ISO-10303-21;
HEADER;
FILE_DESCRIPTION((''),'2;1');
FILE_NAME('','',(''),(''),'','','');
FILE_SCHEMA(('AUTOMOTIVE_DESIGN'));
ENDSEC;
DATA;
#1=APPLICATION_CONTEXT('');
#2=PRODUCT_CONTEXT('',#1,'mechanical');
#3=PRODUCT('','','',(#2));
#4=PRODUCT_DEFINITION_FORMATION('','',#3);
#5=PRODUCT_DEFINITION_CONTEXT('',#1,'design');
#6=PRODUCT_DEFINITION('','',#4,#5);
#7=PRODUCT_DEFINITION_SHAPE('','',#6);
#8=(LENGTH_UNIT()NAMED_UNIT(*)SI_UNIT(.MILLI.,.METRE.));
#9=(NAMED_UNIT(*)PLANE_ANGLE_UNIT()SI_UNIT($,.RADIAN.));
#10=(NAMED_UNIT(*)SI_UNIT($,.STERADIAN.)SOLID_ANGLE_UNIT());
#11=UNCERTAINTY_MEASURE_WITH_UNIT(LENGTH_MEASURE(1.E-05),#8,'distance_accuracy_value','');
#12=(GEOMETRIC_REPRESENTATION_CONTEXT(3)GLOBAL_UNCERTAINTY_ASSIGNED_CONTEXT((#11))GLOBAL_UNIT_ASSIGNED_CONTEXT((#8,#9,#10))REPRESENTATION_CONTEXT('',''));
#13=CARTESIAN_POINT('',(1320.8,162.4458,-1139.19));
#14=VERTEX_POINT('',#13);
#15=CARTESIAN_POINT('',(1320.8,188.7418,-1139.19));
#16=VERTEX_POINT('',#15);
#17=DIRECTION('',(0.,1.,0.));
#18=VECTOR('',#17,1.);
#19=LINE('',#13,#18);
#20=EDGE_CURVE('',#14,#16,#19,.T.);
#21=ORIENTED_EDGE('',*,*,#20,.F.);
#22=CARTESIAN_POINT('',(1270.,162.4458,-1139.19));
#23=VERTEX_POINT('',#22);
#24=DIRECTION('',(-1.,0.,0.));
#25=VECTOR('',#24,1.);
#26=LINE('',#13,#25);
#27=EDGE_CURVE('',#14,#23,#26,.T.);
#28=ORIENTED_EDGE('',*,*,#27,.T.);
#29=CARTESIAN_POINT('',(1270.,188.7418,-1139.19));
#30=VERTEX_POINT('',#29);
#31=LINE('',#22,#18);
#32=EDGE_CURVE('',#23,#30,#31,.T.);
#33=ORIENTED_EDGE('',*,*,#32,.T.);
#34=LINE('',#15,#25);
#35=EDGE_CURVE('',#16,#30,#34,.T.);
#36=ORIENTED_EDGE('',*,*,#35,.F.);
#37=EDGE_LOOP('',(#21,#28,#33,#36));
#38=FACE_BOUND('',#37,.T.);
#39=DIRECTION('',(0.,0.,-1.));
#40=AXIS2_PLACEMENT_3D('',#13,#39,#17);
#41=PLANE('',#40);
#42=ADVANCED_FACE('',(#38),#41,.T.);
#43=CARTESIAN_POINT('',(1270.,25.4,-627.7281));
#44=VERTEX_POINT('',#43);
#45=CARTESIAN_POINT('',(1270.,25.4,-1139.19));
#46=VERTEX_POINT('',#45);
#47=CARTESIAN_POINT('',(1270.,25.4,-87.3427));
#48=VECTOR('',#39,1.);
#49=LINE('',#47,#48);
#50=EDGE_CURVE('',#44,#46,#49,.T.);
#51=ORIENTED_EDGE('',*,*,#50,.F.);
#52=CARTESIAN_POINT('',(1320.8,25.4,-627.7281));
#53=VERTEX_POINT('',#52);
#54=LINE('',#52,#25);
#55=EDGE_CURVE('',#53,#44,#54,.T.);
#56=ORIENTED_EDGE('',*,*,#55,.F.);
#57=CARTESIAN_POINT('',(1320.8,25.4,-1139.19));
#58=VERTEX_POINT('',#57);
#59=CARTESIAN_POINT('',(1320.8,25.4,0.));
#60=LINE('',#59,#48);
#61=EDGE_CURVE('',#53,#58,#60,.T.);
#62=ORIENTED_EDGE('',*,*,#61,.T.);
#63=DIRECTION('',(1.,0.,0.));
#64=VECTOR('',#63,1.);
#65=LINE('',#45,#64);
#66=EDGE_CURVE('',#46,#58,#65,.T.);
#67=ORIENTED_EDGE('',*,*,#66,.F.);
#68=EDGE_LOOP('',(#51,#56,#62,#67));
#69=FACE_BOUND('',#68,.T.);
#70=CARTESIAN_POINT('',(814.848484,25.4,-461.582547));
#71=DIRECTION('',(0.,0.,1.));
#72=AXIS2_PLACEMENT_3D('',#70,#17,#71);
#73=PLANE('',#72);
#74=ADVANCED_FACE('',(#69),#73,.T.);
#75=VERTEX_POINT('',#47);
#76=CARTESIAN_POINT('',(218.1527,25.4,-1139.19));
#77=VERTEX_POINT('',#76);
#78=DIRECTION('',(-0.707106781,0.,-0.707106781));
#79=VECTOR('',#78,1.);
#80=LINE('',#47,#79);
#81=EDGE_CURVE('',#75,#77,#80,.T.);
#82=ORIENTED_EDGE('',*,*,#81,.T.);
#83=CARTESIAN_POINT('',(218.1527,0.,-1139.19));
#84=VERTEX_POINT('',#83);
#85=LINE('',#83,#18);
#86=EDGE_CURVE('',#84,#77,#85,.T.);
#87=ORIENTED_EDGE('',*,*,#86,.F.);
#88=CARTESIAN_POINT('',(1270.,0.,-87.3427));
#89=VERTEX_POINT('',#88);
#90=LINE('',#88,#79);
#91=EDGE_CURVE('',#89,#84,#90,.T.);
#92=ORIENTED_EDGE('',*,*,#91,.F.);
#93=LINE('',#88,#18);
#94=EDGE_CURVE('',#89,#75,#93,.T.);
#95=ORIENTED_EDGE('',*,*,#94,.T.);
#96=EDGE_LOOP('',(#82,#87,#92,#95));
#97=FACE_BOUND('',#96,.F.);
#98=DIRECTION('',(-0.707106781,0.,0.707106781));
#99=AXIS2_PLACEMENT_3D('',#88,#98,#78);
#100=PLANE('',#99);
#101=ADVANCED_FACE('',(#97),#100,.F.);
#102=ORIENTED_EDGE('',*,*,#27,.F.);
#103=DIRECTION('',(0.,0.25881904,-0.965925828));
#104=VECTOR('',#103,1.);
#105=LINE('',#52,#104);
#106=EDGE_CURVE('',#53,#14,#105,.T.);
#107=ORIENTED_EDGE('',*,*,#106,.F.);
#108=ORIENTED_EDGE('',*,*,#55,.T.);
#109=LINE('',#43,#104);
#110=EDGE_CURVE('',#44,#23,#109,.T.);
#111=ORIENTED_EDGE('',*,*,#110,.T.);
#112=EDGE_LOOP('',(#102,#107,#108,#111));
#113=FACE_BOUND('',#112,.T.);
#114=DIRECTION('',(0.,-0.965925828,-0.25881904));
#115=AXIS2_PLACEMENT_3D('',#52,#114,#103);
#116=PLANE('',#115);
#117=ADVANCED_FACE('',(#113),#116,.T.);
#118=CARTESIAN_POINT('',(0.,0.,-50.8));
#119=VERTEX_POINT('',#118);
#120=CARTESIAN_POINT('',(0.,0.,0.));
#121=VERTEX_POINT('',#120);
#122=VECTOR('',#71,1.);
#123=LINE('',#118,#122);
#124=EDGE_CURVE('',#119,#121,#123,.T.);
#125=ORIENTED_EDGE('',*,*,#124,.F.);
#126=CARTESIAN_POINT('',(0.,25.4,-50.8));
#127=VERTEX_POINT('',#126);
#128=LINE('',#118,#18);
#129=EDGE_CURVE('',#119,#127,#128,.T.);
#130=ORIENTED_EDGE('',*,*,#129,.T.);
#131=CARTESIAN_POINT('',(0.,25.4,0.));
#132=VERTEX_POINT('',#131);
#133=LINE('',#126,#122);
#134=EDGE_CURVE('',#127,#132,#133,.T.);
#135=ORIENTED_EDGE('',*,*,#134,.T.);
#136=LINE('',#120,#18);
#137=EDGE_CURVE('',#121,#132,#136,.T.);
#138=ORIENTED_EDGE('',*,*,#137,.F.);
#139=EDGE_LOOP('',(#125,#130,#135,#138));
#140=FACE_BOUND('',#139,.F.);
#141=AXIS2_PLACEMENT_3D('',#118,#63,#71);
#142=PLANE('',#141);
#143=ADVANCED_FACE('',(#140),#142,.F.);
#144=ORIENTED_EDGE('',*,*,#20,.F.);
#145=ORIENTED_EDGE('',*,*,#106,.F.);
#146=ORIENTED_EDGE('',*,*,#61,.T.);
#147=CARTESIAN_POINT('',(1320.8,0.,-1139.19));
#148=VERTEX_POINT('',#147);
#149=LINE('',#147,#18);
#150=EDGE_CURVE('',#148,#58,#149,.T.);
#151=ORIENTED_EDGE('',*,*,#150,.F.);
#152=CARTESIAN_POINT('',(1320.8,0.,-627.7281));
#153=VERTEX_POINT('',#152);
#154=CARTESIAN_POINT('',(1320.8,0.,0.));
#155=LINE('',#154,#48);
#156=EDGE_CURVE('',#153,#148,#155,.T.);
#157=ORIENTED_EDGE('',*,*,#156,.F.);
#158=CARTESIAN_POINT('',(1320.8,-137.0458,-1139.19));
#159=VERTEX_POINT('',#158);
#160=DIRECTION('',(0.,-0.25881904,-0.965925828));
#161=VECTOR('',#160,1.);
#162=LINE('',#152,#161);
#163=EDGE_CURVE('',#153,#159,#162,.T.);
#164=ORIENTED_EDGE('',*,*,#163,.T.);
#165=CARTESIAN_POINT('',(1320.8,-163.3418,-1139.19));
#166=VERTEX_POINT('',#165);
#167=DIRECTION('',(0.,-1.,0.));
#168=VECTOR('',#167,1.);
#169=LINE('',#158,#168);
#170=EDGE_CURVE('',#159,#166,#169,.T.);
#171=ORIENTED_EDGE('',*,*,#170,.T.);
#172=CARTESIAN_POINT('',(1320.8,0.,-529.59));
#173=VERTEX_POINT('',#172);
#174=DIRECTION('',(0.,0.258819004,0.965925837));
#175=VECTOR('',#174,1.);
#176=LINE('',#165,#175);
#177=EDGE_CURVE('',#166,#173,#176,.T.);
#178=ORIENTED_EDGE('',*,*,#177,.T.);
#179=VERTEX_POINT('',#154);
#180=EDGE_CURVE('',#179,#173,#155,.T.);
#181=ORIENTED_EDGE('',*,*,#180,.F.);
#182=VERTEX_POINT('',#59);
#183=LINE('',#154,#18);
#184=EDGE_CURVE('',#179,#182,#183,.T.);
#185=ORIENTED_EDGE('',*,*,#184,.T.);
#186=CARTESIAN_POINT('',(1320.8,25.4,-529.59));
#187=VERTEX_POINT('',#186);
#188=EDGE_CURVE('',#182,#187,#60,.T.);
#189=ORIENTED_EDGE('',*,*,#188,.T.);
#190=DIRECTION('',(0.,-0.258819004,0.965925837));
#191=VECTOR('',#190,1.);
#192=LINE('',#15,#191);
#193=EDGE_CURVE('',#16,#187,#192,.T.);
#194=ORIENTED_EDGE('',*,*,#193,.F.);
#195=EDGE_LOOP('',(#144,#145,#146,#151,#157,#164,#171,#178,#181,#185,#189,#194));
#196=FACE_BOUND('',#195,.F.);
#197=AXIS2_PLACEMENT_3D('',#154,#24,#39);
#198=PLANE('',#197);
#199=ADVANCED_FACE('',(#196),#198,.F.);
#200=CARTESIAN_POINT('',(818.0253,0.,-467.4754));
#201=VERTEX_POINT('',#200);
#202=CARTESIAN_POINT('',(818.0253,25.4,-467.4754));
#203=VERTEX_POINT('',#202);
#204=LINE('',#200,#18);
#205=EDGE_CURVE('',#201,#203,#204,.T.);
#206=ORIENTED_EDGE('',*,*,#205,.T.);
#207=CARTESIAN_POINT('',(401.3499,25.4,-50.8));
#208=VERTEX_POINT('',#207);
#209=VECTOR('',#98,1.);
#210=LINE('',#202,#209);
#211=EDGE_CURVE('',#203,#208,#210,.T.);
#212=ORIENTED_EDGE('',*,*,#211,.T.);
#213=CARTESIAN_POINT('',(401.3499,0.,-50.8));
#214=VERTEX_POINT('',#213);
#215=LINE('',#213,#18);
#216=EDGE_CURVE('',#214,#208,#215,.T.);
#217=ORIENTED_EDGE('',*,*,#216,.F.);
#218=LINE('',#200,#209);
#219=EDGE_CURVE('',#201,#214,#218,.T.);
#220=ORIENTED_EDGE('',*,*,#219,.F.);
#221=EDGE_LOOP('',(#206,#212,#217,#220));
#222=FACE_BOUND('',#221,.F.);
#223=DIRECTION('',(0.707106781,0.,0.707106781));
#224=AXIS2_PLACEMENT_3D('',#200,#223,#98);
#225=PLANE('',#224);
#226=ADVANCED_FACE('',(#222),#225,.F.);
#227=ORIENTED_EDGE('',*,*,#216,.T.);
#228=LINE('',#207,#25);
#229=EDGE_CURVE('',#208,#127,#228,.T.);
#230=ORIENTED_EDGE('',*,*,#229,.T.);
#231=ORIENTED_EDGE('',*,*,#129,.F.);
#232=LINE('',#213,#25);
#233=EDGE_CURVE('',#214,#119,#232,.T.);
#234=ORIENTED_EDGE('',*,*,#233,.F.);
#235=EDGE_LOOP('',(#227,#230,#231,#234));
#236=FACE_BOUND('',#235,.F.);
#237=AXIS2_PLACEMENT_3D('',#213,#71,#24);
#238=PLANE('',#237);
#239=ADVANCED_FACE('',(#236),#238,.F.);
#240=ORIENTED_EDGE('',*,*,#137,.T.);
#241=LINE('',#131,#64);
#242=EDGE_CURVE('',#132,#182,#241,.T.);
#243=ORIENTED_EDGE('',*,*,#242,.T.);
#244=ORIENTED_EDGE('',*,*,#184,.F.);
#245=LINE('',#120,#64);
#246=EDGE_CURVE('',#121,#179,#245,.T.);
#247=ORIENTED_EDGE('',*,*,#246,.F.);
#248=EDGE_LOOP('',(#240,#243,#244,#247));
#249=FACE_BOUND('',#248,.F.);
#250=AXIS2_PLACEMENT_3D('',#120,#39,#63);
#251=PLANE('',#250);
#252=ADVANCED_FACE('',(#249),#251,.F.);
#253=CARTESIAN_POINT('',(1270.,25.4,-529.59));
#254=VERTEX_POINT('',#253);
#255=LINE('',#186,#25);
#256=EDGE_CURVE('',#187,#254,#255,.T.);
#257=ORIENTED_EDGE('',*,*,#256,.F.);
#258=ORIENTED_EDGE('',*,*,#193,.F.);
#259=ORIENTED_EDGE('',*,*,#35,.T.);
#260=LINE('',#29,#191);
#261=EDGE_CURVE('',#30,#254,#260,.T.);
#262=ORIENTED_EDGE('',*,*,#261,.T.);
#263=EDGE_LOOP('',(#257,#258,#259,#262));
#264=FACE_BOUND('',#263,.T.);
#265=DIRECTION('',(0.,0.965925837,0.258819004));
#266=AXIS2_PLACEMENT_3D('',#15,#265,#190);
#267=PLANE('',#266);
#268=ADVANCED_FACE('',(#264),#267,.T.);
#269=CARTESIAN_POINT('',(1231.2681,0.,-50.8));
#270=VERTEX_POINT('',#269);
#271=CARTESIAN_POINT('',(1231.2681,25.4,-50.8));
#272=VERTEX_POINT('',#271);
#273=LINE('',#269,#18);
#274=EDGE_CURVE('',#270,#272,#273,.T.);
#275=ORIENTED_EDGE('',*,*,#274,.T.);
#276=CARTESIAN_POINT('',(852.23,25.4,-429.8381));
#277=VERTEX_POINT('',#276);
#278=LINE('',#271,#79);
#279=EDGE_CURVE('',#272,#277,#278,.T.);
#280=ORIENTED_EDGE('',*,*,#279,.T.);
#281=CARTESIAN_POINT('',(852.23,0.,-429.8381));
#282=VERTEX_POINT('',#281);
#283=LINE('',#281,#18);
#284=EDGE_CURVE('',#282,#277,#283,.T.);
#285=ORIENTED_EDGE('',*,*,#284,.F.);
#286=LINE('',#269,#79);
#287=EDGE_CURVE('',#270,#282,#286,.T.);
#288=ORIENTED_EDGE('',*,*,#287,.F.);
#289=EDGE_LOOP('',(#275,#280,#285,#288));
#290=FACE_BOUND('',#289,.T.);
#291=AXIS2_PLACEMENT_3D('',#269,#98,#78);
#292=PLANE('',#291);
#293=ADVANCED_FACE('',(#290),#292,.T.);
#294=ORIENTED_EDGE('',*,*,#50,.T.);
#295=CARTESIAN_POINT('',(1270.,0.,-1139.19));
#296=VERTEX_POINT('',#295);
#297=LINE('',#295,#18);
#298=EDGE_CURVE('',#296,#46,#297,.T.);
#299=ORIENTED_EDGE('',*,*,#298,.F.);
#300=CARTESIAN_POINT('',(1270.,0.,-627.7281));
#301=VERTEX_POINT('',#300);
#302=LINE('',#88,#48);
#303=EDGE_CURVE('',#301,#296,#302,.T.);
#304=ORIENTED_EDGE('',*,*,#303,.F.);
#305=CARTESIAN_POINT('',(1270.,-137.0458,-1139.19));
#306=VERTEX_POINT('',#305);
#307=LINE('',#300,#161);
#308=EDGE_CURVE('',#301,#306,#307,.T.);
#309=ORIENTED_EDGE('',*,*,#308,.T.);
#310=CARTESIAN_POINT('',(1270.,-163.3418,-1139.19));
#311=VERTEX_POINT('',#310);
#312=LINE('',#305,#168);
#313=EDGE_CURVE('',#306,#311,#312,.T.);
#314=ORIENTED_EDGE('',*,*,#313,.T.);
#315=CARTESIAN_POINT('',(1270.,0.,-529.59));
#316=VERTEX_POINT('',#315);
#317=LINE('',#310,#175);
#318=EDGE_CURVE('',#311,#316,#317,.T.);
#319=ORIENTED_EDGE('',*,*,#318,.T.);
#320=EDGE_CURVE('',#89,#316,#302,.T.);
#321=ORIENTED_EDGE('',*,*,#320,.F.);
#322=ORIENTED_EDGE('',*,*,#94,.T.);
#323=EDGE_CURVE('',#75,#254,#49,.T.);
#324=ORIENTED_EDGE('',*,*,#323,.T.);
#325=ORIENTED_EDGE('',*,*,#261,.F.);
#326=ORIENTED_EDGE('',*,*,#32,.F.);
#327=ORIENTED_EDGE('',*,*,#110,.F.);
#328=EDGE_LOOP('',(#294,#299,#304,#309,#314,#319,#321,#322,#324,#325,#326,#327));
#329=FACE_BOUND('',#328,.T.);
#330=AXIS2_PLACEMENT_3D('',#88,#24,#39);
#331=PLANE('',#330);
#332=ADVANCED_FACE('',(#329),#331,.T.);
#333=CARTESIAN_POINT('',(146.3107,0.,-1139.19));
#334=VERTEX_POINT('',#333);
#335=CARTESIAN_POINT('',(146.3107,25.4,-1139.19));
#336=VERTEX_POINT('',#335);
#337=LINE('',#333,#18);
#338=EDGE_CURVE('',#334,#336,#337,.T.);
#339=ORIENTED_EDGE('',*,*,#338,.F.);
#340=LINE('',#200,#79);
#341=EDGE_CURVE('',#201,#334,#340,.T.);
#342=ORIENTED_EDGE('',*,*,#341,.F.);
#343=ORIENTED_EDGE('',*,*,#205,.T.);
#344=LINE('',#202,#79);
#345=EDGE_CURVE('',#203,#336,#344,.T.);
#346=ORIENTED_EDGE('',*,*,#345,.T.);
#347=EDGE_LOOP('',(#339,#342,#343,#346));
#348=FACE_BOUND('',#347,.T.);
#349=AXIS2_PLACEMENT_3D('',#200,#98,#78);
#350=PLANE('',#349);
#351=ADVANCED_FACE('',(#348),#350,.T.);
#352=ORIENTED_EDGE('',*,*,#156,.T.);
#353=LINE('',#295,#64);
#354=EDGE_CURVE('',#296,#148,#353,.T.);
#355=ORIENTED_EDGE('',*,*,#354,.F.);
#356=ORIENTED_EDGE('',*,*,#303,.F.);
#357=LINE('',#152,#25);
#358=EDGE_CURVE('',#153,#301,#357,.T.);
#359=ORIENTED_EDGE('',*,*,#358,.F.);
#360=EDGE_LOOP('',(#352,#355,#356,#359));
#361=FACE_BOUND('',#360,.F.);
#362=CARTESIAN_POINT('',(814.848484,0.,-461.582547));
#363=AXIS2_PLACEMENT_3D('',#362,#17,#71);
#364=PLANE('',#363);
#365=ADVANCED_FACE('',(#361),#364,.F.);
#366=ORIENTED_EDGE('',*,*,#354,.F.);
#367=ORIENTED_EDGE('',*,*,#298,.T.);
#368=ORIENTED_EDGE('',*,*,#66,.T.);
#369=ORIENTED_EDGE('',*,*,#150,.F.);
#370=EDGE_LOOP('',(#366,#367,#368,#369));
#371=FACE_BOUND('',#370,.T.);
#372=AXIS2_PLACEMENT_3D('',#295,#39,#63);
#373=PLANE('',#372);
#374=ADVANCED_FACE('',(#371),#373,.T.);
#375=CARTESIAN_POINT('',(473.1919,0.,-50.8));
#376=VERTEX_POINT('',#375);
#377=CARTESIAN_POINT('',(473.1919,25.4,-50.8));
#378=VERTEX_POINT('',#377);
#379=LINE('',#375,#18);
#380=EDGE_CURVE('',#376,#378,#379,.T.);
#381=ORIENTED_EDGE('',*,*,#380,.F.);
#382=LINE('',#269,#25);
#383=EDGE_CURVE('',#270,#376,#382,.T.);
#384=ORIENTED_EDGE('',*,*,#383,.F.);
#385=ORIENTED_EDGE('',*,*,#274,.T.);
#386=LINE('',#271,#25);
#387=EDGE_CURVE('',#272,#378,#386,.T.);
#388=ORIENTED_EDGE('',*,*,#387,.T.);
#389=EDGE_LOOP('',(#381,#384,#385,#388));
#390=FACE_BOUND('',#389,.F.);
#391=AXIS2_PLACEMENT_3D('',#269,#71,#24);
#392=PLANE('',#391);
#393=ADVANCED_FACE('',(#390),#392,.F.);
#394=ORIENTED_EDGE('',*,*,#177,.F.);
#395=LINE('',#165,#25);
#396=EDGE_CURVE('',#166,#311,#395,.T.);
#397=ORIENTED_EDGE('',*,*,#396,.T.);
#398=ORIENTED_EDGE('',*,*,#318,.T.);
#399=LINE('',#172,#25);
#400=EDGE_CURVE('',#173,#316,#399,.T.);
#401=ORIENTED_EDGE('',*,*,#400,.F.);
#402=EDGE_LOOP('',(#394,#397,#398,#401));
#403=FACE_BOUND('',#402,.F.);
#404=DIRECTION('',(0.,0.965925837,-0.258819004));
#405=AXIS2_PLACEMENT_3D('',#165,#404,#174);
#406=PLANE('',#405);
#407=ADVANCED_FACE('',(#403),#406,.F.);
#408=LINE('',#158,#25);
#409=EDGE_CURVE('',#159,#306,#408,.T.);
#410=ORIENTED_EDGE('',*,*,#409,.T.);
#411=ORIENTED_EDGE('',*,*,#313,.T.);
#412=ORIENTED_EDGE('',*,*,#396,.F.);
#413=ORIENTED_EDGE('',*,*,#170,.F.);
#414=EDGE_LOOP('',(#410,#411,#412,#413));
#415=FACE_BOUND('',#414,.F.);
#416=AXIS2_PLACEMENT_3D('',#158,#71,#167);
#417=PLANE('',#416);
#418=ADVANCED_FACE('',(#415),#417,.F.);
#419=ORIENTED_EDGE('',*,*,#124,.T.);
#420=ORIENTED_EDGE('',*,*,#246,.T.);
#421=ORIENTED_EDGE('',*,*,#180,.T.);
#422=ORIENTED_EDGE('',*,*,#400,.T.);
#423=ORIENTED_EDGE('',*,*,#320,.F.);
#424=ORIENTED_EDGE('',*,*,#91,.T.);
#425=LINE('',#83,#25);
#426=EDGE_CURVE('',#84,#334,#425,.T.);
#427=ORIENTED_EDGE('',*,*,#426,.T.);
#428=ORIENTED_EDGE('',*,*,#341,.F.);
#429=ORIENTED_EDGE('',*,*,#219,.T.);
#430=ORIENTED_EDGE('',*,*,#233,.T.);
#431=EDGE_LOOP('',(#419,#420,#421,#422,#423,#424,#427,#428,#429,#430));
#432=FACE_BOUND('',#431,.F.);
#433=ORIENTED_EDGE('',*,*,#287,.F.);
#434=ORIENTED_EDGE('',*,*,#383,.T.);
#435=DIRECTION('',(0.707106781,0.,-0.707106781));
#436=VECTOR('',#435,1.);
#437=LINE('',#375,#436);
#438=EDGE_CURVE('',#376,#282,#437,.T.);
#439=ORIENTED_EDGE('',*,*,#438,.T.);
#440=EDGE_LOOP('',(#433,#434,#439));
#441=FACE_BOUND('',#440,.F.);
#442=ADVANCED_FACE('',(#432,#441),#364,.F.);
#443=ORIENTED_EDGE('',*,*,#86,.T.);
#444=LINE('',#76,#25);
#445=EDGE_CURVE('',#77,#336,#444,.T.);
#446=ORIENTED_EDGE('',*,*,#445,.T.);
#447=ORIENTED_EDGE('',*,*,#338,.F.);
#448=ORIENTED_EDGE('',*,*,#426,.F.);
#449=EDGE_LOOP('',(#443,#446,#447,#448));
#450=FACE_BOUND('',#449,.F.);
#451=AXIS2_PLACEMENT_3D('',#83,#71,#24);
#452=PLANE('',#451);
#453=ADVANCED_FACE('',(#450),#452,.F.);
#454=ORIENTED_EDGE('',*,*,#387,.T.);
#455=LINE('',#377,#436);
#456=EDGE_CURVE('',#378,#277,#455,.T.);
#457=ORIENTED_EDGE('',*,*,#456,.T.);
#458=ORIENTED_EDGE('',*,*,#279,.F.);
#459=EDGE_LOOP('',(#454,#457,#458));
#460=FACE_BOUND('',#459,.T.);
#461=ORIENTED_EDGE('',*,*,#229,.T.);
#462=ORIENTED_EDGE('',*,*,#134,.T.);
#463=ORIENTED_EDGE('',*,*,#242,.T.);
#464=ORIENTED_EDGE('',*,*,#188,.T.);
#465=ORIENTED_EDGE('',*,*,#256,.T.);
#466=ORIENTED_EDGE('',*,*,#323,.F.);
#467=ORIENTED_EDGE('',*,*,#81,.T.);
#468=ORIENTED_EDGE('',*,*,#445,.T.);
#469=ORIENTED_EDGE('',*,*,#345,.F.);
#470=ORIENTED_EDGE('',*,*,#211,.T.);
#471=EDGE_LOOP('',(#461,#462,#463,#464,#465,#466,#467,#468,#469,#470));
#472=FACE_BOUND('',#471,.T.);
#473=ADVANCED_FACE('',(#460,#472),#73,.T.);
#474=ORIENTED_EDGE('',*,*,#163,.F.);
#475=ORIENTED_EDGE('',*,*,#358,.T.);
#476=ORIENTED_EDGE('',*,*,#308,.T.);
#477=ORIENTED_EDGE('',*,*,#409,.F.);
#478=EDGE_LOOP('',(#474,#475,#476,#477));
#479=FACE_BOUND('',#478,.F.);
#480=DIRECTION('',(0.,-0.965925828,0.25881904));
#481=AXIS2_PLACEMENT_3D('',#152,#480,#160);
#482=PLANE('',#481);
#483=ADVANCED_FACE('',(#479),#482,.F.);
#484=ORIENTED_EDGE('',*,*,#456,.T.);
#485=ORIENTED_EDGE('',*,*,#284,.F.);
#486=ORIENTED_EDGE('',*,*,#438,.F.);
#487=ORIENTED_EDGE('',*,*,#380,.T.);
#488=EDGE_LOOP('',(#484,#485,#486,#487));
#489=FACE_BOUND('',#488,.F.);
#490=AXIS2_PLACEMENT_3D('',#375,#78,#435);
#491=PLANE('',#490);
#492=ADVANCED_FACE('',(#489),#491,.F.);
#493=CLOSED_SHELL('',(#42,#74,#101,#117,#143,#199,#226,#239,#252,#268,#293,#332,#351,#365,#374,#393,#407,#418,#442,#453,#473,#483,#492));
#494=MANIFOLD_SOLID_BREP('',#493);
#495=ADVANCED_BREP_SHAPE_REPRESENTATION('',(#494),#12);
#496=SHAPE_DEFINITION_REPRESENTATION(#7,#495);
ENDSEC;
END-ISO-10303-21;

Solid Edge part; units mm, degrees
sketch "Sketch1" plane through (0, 0, 0) normal (0, -1, 0) x (1, 0, 0)
  line L0 (1231.2681, -50.8) -> (473.1919, -50.8)
  line L1 (473.1919, -50.8) -> (852.23, -429.8381)
  line L2 (1231.2681, -50.8) -> (852.23, -429.8381)
  line L3 (0, 0) -> (1320.8, 0)
  line L4 (1320.8, 0) -> (1320.8, -1139.19)
  line L5 (1270, -1139.19) -> (1320.8, -1139.19)
  line L6 (1270, -87.3427) -> (1270, -1139.19)
  line L7 (1270, -87.3427) -> (218.1527, -1139.19)
  line L8 (218.1527, -1139.19) -> (146.3107, -1139.19)
  line L9 (818.0253, -467.4754) -> (146.3107, -1139.19)
  line L10 (818.0253, -467.4754) -> (401.3499, -50.8)
  line L11 (401.3499, -50.8) -> (0, -50.8)
  line L12 (0, -50.8) -> (0, 0)
  dimension "D1" = 50.8
  dimension "D2" = 1320.8
  dimension "D3" = 1139.19
  dimension "D4" = 50.8
  dimension "D5" = 50.8
  dimension "D6" = 50.8
extrude "Protrusion1" add sketch "Sketch1" against normal blind 25.4
sketch "Sketch2" plane through (1320.8, 12.7, -569.595) normal (1, 0, 0) x (0, 0, -1)
  line L0 (58.1331, -12.7) -> (569.595, -149.7458)
  line L1 (569.595, -149.7458) -> (569.595, -176.0418)
  line L2 (569.595, -176.0418) -> (-40.005, -12.7)
  line L3 (-40.005, -12.7) -> (58.1331, -12.7)
  line L4 (58.1331, 12.7) -> (569.595, 149.7458)
  line L5 (569.595, 149.7458) -> (569.595, 176.0418)
  line L6 (569.595, 176.0418) -> (-40.005, 12.7)
  line L7 (-40.005, 12.7) -> (58.1331, 12.7)
  dimension "D1" = 25.4
  dimension "D2" = 609.6
extrude "Protrusion2" add sketch "Sketch2" against normal up to vertex (50.8 mm away)
properties material "Aluminum, 6061-T6"
